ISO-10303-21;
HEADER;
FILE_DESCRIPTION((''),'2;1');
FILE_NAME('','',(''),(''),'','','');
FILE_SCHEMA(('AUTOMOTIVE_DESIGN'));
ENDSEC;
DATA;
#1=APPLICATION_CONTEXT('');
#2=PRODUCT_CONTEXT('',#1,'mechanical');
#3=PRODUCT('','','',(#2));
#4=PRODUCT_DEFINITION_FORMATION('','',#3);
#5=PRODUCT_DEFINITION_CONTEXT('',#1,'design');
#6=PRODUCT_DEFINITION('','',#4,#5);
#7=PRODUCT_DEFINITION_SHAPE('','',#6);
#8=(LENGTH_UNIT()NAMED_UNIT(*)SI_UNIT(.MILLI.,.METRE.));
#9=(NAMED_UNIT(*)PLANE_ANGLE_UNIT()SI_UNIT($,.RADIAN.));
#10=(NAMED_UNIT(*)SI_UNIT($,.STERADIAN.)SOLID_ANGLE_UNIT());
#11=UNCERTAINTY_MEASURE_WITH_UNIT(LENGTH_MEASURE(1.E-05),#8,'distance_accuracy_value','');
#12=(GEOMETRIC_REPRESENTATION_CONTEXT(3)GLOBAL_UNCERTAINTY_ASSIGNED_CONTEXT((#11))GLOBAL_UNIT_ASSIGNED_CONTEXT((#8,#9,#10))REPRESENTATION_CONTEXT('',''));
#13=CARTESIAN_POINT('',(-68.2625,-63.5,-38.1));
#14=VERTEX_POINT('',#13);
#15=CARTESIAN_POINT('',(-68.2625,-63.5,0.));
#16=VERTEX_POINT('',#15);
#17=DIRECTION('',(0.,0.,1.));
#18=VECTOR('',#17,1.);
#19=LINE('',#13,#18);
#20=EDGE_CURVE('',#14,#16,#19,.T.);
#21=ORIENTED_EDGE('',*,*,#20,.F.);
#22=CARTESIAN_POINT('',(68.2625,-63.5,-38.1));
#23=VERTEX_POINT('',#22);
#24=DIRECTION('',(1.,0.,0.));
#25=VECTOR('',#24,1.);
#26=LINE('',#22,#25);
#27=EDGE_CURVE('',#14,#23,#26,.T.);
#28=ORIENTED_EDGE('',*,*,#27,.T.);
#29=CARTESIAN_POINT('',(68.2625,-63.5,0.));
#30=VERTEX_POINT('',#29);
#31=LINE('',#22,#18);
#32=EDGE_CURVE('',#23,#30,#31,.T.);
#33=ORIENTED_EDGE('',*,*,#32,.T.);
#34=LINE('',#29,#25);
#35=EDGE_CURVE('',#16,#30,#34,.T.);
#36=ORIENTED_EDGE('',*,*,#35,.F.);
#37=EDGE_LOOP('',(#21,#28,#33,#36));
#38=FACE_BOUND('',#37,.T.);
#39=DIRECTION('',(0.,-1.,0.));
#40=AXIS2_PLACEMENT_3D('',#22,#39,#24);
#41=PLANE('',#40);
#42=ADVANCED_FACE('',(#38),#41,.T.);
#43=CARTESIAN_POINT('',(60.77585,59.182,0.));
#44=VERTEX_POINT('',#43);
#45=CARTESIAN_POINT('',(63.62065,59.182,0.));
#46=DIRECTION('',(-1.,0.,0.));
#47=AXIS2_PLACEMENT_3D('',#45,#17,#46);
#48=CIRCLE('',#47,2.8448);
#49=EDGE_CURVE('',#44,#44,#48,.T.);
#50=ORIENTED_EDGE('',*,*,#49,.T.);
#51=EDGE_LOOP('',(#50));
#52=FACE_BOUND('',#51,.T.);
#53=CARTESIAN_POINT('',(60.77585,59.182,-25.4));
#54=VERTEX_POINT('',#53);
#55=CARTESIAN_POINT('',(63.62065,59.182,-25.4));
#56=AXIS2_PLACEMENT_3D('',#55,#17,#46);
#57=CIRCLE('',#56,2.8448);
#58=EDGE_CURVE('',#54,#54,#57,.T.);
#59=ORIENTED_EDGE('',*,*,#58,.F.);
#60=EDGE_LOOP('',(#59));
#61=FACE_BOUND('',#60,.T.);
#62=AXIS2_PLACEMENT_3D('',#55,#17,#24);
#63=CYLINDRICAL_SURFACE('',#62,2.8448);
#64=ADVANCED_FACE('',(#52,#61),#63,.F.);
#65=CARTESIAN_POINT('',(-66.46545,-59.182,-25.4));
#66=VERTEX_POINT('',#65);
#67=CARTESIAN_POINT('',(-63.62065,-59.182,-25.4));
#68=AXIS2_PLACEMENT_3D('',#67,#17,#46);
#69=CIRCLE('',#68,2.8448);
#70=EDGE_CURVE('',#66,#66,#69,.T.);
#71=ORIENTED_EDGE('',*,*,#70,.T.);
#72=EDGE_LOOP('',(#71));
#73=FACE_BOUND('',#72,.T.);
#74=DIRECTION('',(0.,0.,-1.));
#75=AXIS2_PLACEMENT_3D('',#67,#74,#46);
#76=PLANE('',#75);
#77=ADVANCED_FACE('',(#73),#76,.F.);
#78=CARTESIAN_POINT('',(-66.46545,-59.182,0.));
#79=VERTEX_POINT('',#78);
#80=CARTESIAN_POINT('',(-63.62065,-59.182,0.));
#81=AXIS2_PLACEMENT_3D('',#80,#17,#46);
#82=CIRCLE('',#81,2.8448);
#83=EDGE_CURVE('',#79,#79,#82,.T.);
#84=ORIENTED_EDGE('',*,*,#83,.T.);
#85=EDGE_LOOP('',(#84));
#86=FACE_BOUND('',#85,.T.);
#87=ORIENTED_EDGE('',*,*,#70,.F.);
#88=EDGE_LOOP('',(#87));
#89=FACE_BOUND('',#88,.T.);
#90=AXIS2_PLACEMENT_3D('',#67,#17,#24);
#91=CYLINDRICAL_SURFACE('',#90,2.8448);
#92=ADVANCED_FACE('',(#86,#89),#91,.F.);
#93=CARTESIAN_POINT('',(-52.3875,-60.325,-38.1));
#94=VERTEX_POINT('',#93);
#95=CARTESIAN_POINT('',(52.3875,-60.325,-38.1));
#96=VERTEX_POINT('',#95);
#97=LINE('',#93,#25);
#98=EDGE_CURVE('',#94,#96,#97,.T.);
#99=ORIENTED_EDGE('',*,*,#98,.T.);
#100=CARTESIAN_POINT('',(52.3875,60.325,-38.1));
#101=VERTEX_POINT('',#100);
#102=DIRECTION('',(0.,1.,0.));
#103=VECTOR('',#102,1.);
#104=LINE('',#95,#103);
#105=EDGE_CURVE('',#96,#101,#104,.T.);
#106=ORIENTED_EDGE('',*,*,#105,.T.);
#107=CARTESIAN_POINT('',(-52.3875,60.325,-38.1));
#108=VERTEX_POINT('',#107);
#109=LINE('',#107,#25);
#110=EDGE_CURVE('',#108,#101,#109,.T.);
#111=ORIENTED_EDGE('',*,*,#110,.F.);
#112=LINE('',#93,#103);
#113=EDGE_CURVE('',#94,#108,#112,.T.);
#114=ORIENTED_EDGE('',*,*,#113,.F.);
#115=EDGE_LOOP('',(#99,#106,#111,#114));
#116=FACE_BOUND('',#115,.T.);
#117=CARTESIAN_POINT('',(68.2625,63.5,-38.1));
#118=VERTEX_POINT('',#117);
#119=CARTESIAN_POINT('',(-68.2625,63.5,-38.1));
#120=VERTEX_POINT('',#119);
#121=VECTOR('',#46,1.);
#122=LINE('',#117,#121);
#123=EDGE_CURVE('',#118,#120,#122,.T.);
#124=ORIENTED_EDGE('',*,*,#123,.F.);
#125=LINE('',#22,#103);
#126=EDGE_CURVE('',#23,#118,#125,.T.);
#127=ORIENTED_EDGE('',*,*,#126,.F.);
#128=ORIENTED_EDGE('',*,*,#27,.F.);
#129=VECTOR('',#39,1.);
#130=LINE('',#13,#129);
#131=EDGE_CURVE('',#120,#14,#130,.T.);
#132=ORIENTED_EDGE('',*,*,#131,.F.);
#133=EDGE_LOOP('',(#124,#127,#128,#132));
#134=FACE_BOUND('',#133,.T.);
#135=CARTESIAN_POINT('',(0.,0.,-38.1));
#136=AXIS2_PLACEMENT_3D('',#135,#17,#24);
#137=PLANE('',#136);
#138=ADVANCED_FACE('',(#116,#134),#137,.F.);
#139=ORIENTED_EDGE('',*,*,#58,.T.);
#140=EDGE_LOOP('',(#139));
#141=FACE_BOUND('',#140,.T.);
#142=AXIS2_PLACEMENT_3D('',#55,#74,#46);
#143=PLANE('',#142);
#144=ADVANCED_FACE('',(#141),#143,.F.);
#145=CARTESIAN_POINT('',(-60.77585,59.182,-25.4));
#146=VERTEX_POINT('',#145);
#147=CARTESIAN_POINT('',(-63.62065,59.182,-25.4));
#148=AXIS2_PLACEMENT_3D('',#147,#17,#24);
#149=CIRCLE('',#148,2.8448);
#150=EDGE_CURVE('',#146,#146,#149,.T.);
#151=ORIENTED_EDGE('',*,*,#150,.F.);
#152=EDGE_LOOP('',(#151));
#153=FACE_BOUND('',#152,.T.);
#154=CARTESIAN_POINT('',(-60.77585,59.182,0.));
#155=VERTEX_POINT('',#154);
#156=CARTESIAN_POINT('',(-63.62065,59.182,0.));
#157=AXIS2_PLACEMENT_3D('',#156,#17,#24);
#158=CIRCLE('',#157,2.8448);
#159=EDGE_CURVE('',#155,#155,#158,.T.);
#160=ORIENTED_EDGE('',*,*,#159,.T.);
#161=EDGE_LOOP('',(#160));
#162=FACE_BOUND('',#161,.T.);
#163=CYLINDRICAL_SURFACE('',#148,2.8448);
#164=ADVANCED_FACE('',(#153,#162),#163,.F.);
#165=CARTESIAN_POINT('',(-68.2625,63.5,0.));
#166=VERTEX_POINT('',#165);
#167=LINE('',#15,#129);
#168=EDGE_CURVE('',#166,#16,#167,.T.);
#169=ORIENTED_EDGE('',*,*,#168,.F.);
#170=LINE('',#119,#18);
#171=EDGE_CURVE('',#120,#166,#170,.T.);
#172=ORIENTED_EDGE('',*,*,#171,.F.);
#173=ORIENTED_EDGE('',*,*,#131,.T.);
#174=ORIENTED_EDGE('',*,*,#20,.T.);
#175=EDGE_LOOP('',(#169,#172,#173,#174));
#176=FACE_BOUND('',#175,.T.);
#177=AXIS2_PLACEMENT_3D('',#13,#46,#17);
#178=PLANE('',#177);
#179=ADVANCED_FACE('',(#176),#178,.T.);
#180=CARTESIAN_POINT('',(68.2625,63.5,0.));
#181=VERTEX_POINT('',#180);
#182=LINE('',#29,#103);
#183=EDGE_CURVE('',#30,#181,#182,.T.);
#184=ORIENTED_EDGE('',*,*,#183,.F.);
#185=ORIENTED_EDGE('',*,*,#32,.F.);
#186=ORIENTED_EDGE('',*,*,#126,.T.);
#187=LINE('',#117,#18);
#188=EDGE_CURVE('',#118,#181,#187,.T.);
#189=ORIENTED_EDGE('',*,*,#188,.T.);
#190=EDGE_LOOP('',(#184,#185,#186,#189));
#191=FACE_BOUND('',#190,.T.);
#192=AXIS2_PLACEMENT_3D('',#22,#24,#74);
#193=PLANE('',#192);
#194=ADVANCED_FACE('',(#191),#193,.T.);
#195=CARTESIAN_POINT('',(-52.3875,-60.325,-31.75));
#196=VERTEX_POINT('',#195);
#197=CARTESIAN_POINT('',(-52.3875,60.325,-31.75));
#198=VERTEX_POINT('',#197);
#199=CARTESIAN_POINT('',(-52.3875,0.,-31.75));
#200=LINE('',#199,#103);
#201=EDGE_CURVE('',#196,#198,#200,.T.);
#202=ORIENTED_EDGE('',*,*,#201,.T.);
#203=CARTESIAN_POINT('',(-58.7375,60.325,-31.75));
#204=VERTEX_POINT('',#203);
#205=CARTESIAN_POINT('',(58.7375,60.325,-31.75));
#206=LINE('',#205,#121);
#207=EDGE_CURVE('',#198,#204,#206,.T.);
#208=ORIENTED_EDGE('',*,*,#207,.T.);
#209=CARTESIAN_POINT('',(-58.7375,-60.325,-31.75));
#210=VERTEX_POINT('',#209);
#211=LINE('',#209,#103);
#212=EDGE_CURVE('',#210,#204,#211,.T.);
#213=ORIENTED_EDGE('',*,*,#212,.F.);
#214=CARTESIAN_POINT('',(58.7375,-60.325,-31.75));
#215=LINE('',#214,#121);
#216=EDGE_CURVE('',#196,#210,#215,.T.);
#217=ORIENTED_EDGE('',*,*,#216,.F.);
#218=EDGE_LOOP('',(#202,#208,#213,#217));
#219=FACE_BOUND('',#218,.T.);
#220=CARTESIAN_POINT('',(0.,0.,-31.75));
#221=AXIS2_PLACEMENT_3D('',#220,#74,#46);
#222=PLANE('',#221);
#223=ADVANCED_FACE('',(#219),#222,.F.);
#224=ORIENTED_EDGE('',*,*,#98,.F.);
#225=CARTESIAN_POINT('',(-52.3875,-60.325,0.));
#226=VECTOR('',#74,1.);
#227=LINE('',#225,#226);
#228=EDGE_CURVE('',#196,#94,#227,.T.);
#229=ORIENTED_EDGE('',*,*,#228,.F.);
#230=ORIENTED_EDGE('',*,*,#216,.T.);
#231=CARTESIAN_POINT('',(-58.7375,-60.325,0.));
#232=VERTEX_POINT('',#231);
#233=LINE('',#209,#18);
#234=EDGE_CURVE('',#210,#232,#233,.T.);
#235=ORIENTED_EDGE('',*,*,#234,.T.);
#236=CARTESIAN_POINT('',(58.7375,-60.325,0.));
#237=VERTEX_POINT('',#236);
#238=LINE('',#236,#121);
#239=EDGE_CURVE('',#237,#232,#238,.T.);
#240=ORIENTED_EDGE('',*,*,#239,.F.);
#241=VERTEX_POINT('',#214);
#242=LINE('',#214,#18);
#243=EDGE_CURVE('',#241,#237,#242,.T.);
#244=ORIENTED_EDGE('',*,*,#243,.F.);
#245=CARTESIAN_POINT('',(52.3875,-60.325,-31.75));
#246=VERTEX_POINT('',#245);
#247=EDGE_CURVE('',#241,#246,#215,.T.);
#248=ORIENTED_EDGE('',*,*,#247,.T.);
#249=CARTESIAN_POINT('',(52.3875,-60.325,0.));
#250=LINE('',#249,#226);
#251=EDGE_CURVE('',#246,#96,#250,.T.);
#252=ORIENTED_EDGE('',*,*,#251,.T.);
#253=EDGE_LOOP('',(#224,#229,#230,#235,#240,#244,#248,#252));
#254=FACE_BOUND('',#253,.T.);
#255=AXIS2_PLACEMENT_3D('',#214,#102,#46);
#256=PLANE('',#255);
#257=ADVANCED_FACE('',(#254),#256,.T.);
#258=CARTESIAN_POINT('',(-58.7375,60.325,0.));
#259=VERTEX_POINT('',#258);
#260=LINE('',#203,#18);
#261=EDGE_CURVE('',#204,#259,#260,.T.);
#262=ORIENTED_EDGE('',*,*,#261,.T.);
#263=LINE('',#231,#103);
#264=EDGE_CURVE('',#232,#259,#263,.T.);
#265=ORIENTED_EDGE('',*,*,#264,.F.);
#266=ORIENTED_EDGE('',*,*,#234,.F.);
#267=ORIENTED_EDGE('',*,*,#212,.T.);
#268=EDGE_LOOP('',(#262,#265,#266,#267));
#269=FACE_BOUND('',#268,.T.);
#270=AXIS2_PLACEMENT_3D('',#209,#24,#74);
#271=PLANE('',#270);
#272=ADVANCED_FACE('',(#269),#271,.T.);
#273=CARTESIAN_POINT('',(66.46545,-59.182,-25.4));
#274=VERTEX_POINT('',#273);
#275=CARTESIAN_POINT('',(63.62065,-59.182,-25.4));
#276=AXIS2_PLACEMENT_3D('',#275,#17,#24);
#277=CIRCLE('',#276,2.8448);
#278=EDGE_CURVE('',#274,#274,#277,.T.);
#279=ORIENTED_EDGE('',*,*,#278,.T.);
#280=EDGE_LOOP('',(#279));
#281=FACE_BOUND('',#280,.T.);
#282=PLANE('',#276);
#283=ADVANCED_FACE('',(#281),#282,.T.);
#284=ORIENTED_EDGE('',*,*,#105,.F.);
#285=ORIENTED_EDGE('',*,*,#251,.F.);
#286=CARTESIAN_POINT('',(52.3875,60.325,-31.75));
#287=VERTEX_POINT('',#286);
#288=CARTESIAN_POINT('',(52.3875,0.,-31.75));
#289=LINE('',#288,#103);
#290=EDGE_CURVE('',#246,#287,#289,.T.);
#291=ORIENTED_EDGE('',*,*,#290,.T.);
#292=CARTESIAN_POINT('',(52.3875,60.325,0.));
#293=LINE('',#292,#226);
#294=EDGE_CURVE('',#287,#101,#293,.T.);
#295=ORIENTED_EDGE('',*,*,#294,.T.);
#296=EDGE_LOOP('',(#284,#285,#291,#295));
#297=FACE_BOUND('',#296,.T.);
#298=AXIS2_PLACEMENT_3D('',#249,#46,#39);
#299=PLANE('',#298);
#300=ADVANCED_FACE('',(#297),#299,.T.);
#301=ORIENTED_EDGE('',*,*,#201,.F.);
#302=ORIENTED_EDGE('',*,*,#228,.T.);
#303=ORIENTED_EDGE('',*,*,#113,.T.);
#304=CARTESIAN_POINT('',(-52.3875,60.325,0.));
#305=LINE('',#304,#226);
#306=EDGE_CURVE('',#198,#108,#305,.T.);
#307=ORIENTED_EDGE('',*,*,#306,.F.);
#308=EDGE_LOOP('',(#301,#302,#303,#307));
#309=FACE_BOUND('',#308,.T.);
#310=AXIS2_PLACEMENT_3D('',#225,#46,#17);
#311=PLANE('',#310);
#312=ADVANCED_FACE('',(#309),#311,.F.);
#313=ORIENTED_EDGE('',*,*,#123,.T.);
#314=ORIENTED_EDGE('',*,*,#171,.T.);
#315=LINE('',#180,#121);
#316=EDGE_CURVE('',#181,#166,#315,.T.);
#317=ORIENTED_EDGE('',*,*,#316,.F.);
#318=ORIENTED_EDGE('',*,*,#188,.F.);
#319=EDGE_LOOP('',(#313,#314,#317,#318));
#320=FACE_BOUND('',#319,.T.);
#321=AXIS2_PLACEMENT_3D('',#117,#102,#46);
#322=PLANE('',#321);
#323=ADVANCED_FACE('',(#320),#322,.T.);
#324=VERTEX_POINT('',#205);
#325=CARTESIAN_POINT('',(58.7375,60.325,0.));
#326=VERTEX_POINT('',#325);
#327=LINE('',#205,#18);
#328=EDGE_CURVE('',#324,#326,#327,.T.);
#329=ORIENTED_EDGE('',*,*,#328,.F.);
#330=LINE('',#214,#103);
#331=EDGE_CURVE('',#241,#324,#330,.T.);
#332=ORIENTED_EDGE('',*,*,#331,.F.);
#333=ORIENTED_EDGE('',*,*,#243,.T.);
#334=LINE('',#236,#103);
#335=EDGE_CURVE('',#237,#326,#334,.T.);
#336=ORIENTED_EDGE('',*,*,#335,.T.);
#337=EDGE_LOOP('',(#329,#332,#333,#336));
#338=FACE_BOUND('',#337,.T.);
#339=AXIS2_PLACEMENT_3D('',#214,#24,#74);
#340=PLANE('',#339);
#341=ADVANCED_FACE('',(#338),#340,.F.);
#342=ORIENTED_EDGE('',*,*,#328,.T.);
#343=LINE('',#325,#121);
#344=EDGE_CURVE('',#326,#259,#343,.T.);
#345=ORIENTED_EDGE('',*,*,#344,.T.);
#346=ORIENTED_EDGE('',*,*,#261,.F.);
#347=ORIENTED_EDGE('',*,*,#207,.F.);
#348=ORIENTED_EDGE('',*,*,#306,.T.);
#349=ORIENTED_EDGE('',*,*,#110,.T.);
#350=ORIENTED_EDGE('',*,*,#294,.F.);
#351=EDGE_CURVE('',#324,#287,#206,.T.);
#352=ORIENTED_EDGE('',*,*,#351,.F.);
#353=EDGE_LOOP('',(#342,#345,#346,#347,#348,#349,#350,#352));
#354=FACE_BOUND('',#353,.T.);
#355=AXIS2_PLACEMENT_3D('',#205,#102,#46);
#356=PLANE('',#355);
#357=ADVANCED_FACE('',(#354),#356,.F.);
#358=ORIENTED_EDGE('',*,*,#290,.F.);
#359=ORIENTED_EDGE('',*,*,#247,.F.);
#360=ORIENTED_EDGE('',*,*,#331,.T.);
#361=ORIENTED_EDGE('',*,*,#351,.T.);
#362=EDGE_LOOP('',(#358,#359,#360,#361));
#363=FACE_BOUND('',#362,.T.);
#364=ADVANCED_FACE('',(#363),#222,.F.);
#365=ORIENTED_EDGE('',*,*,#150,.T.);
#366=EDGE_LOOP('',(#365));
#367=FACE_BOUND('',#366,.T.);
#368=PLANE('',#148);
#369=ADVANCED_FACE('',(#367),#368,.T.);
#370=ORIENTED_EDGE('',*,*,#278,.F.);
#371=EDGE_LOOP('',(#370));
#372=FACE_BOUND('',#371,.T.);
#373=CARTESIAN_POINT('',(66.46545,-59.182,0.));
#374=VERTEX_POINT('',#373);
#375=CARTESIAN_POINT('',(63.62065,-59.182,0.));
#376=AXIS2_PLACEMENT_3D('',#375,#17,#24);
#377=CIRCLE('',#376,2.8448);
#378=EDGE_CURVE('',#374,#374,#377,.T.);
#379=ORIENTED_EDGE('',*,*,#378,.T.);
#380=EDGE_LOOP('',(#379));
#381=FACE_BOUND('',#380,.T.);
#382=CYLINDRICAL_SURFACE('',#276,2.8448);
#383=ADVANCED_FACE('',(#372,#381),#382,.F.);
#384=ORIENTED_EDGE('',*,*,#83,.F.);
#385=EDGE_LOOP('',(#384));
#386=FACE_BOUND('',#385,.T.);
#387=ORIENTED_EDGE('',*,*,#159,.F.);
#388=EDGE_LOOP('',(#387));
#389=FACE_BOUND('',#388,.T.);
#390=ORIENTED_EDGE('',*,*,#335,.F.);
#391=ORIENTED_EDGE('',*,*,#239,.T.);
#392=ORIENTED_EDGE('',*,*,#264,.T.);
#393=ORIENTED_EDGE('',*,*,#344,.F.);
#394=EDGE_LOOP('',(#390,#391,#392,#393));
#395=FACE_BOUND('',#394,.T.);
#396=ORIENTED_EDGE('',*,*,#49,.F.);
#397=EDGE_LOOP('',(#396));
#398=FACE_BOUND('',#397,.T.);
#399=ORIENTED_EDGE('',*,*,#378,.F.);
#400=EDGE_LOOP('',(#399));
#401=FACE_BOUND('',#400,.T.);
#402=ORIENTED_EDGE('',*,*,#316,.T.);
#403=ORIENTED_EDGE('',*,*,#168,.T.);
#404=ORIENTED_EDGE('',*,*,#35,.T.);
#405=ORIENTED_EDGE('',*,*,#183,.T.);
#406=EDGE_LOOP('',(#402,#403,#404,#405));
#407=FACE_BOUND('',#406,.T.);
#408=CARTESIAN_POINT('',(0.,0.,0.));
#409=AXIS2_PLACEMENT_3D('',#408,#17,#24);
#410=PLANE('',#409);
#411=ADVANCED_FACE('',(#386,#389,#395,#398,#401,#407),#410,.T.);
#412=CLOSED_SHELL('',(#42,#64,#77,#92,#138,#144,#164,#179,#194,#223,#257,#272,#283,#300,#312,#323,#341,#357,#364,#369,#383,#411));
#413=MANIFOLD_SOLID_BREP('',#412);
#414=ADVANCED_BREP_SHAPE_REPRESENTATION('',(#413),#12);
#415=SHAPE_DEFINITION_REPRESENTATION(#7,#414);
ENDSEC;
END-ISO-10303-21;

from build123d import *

# Parameters (mm, degrees)
SKETCH2_W           = 136.525
SKETCH2_H           = 127
BOSS_EXTRUDE1_DEPTH = 38.1
SKETCH3_W           = 117.475
SKETCH3_H           = 120.65
CUT_EXTRUDE2_DEPTH  = 31.75
SKETCH4_W           = 104.775
SKETCH4_H           = 120.65
CUT_EXTRUDE3_DEPTH  = 38.1
SKETCH5_R           = 2.8448
CUT_EXTRUDE4_DEPTH  = 25.4


with BuildPart() as part:
    # Sketch2 → Boss-Extrude1 (new body)
    with BuildSketch(Plane.XY):
        Rectangle(SKETCH2_W, SKETCH2_H)
    extrude(amount=-BOSS_EXTRUDE1_DEPTH)

    # Sketch3 → Cut-Extrude2 (cut)
    with BuildSketch(Plane.XY):
        Rectangle(SKETCH3_W, SKETCH3_H)
    extrude(amount=-CUT_EXTRUDE2_DEPTH, mode=Mode.SUBTRACT)

    # Sketch4 → Cut-Extrude3 (cut)
    with BuildSketch(Plane(origin=(0, 0, -38.1), x_dir=(-1, 0, 0), z_dir=(0, 0, -1))):
        Rectangle(SKETCH4_W, SKETCH4_H)
    extrude(amount=-CUT_EXTRUDE3_DEPTH, mode=Mode.SUBTRACT)

    # Sketch5 → Cut-Extrude4 (cut)
    with BuildSketch(Plane.XY):
        with Locations((-63.62065, 59.182)):
            Circle(SKETCH5_R)
        with Locations(Location((63.62065, 59.182, 0), (0, 0, 180))):
            Circle(SKETCH5_R)
        with Locations((63.62065, -59.182)):
            Circle(SKETCH5_R)
        with Locations(Location((-63.62065, -59.182, 0), (0, 0, 180))):
            Circle(SKETCH5_R)
    extrude(amount=-CUT_EXTRUDE4_DEPTH, mode=Mode.SUBTRACT)


solid = part.part
